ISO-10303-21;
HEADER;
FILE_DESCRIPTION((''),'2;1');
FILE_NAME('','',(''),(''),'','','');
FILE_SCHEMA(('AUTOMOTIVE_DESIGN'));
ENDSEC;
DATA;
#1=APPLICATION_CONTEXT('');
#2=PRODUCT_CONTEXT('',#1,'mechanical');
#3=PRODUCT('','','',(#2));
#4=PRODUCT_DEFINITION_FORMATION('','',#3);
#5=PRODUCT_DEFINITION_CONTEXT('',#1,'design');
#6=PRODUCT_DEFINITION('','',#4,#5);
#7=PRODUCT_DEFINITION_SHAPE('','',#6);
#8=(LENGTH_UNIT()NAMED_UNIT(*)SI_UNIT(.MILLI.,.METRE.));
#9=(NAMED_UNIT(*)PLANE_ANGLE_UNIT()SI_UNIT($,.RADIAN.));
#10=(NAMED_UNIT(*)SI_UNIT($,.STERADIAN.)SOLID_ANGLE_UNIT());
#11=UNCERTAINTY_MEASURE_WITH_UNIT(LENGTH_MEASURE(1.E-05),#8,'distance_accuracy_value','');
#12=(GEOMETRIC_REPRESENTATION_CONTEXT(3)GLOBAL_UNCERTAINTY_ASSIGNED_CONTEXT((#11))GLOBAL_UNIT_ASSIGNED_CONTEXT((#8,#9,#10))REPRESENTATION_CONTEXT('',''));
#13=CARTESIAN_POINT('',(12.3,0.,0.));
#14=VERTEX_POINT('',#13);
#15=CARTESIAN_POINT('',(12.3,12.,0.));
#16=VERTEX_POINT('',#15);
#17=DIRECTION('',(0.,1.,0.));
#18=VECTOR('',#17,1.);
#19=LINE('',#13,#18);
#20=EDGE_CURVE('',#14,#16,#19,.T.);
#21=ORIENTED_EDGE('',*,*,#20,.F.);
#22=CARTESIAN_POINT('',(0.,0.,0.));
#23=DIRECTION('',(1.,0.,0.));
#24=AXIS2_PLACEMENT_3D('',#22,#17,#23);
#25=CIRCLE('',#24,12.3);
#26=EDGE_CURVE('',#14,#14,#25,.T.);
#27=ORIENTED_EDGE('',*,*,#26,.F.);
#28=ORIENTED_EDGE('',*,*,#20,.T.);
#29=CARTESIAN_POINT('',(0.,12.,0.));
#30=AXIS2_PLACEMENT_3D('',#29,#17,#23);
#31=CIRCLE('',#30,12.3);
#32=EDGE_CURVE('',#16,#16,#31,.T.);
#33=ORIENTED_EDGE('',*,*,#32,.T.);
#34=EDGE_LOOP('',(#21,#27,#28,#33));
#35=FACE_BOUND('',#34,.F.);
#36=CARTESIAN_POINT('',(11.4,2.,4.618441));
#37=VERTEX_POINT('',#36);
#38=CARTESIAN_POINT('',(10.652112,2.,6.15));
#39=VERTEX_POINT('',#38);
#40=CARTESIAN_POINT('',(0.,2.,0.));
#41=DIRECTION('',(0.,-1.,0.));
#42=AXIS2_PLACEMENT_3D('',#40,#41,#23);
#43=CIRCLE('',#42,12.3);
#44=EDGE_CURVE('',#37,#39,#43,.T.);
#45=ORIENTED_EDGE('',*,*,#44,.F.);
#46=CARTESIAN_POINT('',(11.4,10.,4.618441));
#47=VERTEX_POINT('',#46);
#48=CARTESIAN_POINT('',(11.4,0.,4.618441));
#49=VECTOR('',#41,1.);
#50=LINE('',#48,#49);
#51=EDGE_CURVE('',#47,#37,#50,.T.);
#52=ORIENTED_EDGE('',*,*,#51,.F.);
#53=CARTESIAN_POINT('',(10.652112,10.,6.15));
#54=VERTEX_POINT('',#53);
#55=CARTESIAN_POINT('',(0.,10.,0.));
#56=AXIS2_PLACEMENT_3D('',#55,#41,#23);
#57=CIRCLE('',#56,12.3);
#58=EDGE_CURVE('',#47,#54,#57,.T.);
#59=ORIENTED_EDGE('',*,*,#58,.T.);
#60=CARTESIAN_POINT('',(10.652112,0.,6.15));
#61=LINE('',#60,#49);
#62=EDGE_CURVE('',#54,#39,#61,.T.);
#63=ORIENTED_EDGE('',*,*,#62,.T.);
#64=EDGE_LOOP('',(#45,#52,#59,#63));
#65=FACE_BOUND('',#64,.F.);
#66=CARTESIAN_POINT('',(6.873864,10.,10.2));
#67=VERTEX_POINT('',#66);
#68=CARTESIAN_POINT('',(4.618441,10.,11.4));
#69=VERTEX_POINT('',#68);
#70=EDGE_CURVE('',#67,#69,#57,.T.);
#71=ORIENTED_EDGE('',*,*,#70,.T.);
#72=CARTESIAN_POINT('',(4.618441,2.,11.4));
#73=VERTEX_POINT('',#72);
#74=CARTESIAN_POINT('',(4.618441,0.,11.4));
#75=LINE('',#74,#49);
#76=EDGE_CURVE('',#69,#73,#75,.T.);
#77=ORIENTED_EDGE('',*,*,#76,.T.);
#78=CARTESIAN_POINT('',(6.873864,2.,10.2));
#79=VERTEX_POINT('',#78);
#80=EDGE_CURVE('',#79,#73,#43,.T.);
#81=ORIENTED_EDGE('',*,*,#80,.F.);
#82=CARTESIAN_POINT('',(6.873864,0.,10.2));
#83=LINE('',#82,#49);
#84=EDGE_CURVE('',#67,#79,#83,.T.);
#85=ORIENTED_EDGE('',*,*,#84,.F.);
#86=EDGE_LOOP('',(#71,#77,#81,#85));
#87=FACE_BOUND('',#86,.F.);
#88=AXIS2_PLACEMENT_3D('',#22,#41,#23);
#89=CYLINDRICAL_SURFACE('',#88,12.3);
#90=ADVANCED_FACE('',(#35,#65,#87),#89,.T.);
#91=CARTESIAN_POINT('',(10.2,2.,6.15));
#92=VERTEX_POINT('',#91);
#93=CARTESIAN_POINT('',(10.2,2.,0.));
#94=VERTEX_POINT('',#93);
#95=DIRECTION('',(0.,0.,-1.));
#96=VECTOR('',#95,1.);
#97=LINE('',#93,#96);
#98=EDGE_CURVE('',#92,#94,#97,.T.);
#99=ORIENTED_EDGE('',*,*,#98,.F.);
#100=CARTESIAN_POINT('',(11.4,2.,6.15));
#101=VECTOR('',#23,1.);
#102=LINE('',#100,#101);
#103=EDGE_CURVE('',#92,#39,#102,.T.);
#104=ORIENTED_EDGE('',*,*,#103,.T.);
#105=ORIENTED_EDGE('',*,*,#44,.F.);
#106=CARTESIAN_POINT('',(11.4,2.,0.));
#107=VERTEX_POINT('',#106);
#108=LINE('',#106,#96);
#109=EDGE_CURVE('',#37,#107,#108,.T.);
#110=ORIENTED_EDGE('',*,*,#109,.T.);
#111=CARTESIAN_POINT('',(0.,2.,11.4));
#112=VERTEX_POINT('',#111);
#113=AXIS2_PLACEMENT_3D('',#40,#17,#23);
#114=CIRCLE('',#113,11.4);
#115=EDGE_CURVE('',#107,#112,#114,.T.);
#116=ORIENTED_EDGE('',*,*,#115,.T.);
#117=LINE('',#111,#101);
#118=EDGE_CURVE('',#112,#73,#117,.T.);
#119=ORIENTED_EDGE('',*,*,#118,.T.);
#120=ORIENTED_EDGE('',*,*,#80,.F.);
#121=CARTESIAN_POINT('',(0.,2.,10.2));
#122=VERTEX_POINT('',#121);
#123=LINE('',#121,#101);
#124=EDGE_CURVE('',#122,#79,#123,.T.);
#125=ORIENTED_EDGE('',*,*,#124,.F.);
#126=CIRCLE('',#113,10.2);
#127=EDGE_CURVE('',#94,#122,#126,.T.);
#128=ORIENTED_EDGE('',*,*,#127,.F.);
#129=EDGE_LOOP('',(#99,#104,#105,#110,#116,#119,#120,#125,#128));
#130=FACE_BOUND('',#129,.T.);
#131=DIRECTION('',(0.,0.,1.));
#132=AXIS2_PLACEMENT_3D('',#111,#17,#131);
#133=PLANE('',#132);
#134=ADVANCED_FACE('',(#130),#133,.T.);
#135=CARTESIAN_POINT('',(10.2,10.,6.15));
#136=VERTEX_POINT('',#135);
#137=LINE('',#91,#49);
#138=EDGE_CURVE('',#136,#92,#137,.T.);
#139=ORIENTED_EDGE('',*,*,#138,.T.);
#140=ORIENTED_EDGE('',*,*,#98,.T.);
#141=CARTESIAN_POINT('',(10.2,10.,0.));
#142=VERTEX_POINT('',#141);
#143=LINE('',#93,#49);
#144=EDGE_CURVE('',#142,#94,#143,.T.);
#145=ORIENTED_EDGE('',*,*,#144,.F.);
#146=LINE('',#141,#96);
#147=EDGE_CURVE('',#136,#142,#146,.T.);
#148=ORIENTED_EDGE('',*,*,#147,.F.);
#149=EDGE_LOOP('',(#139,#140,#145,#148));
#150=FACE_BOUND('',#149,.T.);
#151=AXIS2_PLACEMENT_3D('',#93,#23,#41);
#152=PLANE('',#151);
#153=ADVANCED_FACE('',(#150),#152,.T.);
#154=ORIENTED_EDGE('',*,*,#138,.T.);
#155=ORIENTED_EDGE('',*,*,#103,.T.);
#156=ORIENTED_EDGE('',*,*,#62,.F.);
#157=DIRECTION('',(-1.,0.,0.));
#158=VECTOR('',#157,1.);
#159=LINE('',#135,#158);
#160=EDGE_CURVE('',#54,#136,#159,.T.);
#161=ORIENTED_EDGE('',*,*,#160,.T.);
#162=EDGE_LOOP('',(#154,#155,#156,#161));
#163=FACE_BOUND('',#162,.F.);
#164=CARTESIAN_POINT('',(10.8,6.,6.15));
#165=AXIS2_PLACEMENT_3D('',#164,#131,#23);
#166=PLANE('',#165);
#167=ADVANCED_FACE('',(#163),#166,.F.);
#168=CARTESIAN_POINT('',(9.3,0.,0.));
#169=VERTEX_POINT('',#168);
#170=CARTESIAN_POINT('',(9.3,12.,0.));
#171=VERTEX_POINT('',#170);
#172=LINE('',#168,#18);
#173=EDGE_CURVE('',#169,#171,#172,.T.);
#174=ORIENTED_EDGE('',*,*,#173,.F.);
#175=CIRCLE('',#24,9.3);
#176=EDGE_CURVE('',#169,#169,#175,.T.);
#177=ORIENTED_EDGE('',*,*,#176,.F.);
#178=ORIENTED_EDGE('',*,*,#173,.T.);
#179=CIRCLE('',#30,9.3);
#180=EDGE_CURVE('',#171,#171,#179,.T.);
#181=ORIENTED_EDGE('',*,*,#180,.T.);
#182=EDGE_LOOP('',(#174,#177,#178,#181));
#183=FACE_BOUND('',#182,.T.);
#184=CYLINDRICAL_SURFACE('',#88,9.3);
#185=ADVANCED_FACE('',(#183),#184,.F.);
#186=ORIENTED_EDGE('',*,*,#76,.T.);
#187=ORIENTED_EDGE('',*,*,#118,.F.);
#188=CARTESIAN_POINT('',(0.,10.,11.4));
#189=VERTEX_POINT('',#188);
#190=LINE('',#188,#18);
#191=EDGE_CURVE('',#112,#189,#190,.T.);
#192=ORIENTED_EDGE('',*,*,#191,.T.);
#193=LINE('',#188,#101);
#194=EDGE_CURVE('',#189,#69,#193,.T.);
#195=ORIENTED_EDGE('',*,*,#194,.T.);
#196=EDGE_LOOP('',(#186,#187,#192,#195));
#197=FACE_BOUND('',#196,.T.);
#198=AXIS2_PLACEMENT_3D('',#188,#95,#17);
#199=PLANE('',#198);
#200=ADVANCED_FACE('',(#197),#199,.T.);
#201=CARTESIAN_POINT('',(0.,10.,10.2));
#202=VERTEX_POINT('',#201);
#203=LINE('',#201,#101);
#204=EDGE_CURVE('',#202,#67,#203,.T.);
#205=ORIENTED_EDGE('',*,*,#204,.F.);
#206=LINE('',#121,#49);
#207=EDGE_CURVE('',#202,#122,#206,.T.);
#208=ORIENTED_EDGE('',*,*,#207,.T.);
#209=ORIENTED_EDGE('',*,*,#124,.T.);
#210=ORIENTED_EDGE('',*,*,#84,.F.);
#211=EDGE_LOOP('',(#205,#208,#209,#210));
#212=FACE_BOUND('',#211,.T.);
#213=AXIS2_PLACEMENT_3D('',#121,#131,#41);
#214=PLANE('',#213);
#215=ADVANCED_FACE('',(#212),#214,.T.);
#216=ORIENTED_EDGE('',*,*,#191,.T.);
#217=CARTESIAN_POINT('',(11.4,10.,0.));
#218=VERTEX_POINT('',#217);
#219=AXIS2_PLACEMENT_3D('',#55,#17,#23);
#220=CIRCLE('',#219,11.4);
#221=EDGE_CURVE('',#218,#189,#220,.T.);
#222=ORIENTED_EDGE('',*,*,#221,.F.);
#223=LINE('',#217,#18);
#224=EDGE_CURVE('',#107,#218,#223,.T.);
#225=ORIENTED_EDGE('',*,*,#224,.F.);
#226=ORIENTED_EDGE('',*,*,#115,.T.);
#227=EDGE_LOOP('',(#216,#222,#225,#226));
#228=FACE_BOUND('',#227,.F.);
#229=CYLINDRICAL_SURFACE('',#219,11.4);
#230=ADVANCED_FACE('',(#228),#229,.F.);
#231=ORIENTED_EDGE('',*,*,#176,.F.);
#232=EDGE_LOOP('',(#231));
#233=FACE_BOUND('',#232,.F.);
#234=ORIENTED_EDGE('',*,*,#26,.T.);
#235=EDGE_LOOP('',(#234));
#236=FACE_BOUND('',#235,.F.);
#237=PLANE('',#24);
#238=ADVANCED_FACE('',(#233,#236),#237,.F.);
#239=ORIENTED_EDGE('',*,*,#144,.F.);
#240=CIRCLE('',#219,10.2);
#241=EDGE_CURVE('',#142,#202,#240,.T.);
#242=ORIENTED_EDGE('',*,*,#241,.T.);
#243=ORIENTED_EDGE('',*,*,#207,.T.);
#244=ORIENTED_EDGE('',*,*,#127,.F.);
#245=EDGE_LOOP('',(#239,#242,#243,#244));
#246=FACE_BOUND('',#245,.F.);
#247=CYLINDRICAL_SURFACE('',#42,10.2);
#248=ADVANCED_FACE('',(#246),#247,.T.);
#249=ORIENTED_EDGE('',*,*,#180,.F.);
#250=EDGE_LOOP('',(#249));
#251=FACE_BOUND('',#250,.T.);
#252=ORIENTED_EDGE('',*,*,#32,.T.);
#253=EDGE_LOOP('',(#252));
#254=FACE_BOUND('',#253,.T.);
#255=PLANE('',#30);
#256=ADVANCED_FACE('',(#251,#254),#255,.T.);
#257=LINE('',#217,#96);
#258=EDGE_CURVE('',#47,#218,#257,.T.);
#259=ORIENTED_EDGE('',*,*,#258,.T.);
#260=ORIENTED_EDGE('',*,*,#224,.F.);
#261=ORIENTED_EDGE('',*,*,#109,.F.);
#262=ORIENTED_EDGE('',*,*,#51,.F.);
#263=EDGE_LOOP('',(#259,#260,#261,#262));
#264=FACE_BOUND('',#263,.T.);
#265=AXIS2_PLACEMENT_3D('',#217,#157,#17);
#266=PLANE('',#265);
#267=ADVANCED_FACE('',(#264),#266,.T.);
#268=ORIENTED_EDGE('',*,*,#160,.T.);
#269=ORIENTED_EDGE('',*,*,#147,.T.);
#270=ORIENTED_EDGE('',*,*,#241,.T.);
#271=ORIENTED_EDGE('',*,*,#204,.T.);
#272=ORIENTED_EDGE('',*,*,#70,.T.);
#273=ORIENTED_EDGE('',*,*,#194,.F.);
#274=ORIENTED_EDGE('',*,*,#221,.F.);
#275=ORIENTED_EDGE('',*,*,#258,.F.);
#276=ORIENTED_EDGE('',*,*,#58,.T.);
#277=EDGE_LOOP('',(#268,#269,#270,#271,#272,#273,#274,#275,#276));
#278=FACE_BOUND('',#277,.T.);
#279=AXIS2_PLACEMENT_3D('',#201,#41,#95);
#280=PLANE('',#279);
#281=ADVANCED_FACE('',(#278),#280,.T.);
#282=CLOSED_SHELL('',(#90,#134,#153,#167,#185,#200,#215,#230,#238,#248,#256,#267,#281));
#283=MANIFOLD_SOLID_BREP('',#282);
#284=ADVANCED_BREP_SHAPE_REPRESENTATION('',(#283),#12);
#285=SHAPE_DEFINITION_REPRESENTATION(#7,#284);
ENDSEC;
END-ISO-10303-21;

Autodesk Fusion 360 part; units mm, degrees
sketch "Sketch1" plane through (0, 0, 0) normal (0, 1, 0) x (1, 0, 0)
  circle A0 centre (0, 0) radius 12.3
  circle A1 centre (0, 0) radius 9.3
  dimension "d1" = 24.6
  dimension "d2" = 3
extrude "Extrude1" add sketch "Sketch1" along normal blind 12
sketch "Sketch2" plane through (0, 0, 0) normal (0, 0, 1) x (1, 0, 0)
  line L0 (10.2, 10) -> (11.4, 10)
  line L1 (11.4, 10) -> (11.4, 2)
  line L2 (11.4, 2) -> (10.2, 2)
  line L3 (10.2, 2) -> (10.2, 10)
  line L4 (10.2, 2) -> (11.4, 10) construction
  line L5 (12.3, 12) -> (-12.3, 12) construction
  line L6 (-9.3, 0) -> (9.3, 0) construction
  line L7 (9.3, 0) -> (12.3, 12) construction
  point P0 (10.8, 6)
  dimension "d5" = 1.2
  dimension "d6" = 8
ref_plane "WorkPlane1" through (0, 6, 0) normal (0, 1, 0) x (0, 0, 1)
sketch "Sketch3" plane through (0, 6, 0) normal (0, 1, 0) x (1, 0, 0)
  line L0 (10.8, 0) -> (10.8, -6.15)
  line L1 (0, 0) -> (0, -12.3) construction
  circle A0 centre (0, 0) radius 12.3 construction
  circle A1 centre (0, 0) radius 9.3 construction
  arc A2 (10.8, 0) -> (0, -10.8) centre (0, 0) ccw
  line L2 (0, -10.8) -> (10.8, -10.8)
  point P0 (10.8, 0)
  point P1 (0, -6.15)
  point P2 (0, -10.3)
sweep "Sweep1" cut profiles "Sketch2" path "Sketch3" along L2 A2 L0 section 1
